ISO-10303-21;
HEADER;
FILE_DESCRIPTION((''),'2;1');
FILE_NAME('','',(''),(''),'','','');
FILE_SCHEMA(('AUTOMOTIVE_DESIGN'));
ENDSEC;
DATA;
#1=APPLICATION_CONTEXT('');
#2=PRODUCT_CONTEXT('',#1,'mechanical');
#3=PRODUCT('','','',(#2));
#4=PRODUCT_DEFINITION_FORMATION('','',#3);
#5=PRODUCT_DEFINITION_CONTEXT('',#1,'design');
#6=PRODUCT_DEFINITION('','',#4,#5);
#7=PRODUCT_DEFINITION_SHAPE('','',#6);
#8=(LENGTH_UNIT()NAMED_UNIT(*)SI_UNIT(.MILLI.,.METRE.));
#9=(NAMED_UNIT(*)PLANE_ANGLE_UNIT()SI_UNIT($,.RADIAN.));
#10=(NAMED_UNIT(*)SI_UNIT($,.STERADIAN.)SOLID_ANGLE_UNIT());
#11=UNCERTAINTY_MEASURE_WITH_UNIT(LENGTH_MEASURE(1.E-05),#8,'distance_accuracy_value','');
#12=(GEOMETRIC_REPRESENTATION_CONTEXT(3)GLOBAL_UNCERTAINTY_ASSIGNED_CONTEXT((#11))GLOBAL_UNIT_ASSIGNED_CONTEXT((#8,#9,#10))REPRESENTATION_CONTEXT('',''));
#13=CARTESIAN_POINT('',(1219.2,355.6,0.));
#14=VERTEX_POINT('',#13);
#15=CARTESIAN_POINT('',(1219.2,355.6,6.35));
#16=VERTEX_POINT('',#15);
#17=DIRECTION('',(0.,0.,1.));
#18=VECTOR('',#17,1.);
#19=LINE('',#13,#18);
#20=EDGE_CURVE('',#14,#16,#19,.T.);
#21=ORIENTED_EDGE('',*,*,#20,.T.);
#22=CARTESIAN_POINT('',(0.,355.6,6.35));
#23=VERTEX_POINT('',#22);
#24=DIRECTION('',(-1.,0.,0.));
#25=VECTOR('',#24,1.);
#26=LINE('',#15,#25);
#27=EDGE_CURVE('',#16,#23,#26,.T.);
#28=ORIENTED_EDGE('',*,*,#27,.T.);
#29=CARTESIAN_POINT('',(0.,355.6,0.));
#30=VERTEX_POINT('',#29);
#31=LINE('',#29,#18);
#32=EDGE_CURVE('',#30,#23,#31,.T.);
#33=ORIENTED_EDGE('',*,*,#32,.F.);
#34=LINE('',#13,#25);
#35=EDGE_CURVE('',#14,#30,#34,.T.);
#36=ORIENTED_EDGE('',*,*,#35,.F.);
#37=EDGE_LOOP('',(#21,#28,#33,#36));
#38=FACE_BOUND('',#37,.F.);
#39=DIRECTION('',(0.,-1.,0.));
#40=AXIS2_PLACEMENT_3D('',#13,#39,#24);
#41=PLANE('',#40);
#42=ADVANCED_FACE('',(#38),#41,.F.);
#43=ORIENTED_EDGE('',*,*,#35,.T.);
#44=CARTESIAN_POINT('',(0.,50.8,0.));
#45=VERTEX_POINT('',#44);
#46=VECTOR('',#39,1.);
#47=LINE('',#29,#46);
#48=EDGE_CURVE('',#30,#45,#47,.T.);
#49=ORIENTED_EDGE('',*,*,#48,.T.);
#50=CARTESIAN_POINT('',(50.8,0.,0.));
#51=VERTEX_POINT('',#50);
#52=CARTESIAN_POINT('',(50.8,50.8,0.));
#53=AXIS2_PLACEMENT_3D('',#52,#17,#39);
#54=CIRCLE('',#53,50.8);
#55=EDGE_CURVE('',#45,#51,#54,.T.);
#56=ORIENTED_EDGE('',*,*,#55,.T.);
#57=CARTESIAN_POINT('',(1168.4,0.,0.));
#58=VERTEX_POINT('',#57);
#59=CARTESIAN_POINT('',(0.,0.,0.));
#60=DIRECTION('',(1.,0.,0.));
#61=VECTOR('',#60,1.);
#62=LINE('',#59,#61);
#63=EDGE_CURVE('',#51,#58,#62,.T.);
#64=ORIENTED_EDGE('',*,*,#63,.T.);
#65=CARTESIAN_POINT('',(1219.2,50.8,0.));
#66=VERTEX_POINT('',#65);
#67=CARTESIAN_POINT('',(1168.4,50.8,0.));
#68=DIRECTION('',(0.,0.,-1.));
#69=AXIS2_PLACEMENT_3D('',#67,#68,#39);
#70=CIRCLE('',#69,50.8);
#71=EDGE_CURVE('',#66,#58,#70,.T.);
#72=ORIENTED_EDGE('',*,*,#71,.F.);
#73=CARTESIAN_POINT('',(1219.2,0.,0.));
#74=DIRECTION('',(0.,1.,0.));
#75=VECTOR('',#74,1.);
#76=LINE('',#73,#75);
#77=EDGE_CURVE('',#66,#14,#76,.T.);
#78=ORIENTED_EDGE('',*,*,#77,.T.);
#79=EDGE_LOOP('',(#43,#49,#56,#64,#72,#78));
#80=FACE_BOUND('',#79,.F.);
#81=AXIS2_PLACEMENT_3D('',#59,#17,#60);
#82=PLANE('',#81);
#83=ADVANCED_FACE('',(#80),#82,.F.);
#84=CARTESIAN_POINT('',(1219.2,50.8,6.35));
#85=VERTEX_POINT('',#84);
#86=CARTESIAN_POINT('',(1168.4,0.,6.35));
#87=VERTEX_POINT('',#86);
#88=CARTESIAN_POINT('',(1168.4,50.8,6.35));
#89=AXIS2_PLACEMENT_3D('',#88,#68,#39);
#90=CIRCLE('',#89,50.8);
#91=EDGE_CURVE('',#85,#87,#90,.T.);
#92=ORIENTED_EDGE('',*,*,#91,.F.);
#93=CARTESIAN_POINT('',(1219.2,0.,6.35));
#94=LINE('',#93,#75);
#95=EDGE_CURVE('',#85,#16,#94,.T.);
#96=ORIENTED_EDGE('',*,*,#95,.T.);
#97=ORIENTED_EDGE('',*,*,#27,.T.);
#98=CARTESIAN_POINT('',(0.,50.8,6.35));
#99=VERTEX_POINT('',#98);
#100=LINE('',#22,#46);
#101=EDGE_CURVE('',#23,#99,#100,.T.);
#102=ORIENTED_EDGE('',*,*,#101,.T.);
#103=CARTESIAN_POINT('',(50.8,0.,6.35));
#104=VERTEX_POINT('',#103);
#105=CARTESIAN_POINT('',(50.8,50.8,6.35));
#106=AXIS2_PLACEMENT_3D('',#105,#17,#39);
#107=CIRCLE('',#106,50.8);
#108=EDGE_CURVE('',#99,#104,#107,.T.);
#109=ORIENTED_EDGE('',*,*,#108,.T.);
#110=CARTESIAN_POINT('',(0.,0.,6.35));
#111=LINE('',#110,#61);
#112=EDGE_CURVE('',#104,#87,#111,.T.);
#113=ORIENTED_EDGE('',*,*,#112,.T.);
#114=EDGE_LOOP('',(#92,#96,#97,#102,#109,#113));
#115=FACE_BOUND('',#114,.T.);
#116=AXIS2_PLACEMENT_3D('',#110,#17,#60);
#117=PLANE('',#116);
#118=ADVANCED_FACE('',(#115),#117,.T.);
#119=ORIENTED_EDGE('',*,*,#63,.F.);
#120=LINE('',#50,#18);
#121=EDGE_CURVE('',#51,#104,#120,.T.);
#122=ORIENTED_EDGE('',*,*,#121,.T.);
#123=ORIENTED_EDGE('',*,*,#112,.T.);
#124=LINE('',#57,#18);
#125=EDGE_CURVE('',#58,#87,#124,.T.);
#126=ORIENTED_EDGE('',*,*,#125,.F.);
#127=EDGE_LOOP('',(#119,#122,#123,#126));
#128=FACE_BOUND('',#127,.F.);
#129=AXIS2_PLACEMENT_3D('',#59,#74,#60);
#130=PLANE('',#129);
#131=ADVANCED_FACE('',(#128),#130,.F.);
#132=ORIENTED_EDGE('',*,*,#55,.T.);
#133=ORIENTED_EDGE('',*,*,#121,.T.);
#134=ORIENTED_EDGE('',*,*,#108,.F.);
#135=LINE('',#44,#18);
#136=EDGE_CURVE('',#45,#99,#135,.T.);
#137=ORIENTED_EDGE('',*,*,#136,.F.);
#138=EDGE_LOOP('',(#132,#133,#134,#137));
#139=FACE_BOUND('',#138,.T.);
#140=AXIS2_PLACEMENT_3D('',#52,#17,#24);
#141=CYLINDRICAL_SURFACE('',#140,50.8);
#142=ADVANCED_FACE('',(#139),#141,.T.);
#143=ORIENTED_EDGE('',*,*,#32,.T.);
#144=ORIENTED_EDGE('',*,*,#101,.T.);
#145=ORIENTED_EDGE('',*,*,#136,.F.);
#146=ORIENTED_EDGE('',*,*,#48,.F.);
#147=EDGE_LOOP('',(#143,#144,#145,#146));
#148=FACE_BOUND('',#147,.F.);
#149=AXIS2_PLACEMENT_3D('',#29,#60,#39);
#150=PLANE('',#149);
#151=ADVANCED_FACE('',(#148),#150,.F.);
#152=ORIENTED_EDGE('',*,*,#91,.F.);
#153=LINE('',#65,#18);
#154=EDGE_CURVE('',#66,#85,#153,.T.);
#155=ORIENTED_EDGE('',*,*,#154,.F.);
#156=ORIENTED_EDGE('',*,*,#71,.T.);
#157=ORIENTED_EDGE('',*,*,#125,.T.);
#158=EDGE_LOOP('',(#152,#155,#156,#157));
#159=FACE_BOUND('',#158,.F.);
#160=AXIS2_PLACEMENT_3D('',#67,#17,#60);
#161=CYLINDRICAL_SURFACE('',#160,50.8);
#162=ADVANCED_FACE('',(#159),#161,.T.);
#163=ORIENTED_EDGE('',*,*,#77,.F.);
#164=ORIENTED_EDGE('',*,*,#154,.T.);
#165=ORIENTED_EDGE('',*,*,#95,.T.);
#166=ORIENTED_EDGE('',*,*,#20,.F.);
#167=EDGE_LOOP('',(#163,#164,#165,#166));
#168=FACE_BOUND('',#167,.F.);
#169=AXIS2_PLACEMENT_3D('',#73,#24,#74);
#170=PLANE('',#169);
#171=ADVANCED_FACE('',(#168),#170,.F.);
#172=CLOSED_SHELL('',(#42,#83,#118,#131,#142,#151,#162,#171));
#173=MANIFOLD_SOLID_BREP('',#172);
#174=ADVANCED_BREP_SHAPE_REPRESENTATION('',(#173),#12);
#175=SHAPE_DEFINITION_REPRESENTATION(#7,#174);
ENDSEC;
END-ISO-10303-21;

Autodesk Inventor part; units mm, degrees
ref_plane "YZ Plane" through (0, 0, 0) normal (1, 0, 0) x (0, 1, 0)
ref_plane "XZ Plane" through (0, 0, 0) normal (0, 1, 0) x (-1, 0, 0)
ref_plane "XY Plane" through (0, 0, 0) normal (0, 0, 1) x (1, 0, 0)
sketch "Sketch1" plane through (0, 0, 0) normal (0, 0, 1) x (1, 0, 0)
  line L0 (0, 0) -> (1219.2, 0)
  line L1 (1219.2, 0) -> (1219.2, 355.6)
  line L2 (1219.2, 355.6) -> (0, 355.6)
  line L3 (0, 355.6) -> (0, 0)
  dimension "d0" = 1219.2
  dimension "d1" = 355.6
extrude "Extrusion1" add sketch "Sketch1" along normal blind 6.35
fillet "Fillet1" radius 50.8 2 edges at (0, 0, 3.175) (1219.2, 0, 3.175)
properties part number "GE-12053-01"
